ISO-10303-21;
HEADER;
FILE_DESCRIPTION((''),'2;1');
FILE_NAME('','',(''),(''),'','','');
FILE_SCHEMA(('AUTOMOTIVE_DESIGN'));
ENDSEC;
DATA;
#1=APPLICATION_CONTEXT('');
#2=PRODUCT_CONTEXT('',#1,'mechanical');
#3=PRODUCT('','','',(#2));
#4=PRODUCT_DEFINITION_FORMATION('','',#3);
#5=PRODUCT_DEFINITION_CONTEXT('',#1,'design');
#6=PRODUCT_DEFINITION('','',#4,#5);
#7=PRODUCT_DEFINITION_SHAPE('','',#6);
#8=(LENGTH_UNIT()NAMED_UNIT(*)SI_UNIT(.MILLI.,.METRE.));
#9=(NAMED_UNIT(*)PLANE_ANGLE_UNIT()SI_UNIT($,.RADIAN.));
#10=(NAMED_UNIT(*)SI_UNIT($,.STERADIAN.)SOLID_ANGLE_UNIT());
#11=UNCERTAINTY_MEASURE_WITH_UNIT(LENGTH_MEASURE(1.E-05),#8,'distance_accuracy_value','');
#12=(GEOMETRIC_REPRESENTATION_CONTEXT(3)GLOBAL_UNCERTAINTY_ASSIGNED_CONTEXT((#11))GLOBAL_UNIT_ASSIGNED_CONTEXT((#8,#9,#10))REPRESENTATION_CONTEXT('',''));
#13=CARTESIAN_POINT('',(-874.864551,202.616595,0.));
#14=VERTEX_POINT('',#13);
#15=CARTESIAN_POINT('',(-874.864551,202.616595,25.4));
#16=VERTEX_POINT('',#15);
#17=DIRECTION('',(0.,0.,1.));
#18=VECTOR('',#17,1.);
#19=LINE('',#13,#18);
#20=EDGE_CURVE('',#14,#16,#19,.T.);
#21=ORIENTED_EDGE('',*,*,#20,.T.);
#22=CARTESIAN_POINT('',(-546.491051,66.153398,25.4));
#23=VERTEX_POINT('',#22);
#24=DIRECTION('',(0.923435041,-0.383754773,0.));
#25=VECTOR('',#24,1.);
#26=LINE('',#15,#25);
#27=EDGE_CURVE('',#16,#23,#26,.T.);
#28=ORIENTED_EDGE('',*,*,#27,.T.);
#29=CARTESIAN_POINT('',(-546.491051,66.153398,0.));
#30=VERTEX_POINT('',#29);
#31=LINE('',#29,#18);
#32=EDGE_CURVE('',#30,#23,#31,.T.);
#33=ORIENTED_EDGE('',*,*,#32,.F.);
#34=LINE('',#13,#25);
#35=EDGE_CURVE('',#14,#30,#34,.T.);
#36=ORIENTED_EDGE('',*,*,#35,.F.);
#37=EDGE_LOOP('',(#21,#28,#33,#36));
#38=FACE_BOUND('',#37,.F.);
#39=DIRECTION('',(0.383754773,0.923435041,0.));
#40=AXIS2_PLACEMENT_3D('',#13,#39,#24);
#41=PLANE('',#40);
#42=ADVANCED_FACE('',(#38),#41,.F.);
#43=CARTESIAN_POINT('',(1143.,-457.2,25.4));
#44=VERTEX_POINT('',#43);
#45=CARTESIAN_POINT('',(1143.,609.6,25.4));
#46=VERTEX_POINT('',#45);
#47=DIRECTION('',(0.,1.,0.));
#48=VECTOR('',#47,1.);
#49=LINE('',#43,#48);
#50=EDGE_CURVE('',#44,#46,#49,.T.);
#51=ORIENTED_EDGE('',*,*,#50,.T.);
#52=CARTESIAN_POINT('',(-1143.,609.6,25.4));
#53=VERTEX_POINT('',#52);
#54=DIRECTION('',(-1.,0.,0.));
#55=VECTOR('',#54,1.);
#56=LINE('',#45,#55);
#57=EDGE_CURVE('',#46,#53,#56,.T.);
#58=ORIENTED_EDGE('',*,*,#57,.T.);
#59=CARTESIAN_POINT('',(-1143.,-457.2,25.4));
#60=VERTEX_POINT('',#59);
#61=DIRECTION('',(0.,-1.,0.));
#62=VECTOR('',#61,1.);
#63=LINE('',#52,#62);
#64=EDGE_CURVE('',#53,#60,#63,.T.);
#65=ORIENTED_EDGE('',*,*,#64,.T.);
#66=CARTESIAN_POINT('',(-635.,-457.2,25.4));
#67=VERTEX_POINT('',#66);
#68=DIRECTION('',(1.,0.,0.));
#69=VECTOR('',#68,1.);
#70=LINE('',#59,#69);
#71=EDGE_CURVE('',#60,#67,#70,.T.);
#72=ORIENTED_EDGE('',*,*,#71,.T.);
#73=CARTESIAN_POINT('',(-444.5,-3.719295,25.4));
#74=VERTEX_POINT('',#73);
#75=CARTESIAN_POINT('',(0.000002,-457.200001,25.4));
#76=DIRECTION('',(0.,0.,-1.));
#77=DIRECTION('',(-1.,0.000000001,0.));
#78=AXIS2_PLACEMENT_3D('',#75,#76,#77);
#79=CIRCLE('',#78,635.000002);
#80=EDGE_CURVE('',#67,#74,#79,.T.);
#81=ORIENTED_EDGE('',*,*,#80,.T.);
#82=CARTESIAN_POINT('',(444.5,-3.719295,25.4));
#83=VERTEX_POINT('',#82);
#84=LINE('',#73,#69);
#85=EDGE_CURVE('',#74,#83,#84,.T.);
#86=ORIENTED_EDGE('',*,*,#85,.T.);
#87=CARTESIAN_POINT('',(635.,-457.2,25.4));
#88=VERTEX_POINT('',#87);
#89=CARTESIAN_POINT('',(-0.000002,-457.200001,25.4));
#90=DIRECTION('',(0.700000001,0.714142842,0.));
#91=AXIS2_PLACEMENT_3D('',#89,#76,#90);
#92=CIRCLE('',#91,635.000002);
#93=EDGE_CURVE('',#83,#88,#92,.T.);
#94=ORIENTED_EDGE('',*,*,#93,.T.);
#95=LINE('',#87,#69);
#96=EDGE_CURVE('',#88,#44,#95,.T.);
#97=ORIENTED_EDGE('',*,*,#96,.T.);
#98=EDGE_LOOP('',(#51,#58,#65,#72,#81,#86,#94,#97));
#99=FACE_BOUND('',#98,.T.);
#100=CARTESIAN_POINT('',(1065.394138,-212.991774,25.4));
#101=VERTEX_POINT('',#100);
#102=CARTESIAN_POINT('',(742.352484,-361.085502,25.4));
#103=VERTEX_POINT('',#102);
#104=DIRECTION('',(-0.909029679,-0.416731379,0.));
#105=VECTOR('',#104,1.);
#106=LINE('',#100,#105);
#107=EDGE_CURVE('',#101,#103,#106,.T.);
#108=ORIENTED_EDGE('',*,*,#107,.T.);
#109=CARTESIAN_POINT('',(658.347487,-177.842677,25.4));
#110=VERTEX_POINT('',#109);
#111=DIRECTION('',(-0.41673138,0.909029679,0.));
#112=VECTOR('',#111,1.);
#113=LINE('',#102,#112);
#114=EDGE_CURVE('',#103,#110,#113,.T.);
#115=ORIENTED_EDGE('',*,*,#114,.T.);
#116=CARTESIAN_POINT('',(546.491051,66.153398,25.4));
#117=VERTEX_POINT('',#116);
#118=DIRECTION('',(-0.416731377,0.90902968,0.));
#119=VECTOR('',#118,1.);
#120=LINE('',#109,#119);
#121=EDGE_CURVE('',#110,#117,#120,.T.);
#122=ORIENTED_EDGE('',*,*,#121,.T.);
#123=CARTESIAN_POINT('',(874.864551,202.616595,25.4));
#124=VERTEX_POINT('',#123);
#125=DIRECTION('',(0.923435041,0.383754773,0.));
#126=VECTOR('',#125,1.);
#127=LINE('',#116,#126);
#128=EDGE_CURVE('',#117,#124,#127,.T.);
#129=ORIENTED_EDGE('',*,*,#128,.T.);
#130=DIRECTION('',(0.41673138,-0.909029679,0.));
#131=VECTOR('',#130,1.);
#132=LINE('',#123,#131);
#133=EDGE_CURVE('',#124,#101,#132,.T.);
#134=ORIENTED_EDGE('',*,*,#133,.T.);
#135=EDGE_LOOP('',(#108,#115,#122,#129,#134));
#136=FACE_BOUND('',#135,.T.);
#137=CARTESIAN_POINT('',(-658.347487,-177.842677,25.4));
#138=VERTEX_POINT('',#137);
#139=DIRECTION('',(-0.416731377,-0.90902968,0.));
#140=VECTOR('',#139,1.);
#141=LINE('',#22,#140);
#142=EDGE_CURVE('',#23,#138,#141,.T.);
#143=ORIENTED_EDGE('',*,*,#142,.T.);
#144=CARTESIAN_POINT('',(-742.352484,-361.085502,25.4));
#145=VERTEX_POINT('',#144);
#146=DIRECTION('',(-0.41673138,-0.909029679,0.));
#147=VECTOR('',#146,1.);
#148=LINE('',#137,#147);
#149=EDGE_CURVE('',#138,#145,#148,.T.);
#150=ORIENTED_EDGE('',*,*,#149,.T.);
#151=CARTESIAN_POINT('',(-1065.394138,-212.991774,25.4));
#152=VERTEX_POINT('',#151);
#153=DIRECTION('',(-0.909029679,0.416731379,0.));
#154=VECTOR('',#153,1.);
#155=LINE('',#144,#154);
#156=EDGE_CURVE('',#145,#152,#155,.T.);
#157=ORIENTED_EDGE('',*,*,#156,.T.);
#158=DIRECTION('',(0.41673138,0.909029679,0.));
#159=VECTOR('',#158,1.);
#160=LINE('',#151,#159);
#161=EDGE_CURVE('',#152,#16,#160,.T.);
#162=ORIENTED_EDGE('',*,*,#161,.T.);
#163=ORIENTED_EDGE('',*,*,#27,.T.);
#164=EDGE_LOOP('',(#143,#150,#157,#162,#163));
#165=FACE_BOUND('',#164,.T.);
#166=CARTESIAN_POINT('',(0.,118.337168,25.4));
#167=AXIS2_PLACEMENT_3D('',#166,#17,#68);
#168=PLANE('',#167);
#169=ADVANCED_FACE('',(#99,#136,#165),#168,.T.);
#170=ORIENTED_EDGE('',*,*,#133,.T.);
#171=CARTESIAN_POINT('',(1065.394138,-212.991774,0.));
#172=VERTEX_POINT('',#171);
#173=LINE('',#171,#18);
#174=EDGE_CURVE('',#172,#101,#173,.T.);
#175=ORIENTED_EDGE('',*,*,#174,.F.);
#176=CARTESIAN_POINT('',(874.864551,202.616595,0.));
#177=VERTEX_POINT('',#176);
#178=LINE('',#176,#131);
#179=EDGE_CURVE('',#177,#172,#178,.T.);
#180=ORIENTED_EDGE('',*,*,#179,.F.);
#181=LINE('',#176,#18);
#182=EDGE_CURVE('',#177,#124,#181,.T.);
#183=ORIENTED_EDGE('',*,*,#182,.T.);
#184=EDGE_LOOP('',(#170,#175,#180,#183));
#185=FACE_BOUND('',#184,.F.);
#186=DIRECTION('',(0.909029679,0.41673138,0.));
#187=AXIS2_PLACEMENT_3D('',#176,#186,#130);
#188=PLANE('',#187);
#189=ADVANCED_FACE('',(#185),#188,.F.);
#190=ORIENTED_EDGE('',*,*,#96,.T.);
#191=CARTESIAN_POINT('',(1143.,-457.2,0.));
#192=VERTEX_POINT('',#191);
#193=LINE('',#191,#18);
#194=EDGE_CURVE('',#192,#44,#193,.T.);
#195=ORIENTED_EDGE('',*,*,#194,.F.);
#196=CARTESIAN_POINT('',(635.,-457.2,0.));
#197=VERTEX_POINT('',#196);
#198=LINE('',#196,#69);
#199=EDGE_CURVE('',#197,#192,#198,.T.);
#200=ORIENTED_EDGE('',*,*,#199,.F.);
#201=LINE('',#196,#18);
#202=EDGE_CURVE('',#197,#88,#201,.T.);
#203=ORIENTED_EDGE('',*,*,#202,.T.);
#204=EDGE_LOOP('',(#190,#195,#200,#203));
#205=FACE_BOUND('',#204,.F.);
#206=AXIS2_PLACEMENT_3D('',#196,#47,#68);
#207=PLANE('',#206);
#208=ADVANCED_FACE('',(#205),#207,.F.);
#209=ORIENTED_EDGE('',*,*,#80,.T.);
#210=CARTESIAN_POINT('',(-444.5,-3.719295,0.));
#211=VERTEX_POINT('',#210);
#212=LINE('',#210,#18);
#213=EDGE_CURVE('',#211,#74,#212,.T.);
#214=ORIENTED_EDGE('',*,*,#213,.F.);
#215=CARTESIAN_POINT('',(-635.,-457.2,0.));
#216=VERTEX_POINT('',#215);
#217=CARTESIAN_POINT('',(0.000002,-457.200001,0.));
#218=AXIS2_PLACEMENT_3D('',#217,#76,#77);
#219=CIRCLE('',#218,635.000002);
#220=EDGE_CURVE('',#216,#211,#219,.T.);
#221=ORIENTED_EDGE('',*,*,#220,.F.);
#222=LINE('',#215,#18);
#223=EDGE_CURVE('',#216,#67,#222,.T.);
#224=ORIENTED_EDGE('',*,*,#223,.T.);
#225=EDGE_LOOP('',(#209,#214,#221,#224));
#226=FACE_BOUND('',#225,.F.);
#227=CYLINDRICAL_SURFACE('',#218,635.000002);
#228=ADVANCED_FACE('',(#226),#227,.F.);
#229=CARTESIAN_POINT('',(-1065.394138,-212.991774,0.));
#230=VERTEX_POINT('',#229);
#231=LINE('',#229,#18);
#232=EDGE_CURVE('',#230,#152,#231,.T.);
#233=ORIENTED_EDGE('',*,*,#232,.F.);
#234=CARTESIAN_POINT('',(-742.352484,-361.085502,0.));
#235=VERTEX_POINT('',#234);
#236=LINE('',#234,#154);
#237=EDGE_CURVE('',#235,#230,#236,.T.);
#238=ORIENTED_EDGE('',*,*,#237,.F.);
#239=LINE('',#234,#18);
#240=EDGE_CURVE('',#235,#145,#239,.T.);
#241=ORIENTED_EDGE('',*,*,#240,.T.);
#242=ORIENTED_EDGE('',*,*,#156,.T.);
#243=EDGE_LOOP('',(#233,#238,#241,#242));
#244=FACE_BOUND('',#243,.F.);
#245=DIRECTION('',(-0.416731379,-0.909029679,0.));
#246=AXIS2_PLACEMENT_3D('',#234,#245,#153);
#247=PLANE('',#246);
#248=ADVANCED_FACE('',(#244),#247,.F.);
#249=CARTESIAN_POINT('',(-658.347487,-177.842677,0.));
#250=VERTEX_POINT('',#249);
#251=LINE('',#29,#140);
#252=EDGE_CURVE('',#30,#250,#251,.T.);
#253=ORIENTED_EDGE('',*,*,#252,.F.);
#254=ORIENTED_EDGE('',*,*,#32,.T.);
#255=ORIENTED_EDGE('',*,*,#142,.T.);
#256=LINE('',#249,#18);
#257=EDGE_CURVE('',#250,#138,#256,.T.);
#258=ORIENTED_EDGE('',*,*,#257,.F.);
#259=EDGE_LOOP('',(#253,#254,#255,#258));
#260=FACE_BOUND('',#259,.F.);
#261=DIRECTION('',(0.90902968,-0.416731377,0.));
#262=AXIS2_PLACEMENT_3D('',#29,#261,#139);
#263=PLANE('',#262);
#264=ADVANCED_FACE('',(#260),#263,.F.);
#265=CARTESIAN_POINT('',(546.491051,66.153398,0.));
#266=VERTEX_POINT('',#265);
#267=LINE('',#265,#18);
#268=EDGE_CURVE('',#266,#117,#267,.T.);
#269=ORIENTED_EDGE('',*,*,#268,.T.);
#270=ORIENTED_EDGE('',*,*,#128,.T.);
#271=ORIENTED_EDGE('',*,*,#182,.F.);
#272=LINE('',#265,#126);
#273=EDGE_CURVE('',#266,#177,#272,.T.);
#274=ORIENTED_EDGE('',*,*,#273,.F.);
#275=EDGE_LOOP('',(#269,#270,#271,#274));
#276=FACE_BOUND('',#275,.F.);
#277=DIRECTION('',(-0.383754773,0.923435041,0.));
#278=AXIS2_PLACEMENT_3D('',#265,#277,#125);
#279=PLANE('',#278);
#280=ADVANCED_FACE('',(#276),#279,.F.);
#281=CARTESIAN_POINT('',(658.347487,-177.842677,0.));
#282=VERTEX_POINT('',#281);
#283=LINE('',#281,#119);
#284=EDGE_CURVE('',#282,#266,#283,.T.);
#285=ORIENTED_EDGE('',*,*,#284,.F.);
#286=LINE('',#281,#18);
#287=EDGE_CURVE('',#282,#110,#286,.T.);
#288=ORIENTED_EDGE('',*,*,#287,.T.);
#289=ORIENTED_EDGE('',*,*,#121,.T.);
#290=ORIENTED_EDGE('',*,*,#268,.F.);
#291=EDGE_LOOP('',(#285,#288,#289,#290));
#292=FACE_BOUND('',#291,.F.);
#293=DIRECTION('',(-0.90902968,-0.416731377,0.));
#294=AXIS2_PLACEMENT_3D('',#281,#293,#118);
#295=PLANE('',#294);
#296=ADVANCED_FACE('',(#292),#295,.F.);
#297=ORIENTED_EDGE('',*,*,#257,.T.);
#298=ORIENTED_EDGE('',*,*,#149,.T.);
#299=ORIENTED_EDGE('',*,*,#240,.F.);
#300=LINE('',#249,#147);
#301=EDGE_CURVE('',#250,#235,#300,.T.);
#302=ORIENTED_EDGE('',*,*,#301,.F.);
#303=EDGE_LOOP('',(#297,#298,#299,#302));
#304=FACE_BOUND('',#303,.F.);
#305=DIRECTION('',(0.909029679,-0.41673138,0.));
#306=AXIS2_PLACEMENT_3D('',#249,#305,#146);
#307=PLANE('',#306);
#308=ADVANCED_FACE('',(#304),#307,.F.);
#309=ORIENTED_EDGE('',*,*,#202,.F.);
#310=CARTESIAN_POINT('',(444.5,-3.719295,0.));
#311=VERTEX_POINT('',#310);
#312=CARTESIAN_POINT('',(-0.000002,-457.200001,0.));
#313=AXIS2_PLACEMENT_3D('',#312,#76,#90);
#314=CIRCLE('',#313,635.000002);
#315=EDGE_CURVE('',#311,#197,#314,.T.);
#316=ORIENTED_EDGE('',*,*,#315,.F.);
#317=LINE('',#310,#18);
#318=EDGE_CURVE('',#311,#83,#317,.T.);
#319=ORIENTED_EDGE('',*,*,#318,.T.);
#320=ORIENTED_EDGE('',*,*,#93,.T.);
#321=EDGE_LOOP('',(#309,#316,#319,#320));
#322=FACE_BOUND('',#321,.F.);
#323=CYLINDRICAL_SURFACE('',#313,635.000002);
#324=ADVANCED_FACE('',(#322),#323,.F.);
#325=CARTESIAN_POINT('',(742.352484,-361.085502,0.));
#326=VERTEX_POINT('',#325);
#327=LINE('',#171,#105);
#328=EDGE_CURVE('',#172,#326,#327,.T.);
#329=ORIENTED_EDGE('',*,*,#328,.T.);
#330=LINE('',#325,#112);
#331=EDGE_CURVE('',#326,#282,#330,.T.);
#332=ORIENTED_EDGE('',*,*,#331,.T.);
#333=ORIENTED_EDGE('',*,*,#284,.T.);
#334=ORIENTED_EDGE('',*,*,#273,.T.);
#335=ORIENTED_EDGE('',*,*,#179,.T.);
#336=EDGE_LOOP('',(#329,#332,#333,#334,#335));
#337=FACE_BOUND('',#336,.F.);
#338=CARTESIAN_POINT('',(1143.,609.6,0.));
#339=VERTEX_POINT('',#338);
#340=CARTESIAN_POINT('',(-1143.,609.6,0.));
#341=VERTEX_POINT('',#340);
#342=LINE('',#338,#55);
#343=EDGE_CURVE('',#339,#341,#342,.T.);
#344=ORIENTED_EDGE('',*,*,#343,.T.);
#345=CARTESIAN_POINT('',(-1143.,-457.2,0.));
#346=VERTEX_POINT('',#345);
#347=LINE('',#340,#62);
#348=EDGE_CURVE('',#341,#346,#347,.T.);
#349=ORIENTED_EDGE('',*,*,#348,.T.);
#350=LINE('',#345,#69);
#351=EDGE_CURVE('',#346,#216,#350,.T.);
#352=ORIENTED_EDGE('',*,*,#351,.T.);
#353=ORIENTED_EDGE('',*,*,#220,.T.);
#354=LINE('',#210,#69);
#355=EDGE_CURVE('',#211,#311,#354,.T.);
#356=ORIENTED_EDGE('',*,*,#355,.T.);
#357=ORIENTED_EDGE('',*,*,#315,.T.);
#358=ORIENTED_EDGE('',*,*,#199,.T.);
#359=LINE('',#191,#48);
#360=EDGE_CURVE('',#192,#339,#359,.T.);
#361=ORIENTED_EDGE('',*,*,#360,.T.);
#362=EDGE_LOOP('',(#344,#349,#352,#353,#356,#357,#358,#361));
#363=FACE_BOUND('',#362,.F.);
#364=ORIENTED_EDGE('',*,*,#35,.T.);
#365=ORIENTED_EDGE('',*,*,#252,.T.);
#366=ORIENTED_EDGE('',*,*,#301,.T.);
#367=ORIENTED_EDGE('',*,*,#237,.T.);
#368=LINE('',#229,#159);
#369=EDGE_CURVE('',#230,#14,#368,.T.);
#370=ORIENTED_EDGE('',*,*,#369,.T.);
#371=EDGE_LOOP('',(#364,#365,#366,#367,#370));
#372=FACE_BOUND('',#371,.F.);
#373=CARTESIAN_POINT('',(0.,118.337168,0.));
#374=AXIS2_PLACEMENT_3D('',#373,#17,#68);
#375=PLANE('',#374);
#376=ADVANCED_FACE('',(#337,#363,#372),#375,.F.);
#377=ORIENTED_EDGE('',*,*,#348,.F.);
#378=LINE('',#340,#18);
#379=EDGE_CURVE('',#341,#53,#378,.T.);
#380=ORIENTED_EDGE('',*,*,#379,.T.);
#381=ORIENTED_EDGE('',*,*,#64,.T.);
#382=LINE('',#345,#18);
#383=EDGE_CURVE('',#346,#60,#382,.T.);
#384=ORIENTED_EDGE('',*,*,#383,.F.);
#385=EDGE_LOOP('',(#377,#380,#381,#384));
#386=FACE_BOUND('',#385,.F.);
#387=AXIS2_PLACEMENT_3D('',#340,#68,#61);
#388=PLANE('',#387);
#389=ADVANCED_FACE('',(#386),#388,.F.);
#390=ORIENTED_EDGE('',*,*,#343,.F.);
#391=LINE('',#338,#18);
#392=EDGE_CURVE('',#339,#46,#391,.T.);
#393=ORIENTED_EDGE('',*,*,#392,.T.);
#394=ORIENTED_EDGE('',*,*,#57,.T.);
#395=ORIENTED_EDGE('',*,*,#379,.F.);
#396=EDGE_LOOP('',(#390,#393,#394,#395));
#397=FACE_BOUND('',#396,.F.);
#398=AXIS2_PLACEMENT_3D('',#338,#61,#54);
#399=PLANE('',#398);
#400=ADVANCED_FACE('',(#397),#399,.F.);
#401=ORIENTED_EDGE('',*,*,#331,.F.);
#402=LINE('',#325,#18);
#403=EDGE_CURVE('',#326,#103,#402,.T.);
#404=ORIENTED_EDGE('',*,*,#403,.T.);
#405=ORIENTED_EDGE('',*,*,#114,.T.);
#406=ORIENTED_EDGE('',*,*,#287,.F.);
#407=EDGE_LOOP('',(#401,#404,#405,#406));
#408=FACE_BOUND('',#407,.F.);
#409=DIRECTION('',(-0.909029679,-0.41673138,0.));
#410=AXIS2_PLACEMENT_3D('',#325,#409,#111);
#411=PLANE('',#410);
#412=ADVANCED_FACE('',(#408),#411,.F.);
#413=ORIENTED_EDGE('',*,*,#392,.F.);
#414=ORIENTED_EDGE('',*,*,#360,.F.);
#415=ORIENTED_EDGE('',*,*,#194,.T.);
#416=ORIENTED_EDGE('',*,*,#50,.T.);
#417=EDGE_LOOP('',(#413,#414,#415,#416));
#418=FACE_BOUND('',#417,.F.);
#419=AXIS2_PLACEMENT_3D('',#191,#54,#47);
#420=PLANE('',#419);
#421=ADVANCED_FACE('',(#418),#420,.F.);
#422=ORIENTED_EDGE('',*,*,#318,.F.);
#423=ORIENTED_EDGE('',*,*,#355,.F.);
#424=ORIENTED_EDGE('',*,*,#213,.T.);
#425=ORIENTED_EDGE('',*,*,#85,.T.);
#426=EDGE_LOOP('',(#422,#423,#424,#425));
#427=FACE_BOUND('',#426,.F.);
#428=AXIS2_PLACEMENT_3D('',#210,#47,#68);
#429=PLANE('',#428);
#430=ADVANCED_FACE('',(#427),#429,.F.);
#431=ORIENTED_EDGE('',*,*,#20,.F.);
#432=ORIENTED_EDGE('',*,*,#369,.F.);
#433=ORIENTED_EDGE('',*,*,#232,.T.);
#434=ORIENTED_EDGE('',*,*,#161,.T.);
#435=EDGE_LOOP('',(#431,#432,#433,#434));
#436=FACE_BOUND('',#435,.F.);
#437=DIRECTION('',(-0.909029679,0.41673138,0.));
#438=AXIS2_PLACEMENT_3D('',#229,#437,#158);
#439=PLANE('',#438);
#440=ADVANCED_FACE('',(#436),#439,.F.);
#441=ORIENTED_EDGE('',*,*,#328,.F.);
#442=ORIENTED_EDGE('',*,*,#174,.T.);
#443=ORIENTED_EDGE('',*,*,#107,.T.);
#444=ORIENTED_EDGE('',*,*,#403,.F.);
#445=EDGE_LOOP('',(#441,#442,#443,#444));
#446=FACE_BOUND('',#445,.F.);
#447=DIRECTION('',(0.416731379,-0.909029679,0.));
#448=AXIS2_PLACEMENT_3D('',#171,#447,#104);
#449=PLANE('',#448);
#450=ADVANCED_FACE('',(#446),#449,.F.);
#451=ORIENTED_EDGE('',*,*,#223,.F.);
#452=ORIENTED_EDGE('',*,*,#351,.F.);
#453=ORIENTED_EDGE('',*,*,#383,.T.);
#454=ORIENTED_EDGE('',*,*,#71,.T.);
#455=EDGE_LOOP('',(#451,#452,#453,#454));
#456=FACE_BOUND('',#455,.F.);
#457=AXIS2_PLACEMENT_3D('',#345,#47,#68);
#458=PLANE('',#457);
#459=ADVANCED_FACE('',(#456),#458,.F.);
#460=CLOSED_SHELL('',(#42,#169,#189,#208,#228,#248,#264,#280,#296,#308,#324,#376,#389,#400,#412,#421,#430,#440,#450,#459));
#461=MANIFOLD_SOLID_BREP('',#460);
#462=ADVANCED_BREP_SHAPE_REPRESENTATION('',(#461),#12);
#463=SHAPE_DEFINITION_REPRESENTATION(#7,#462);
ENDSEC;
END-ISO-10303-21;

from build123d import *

# Parameters (mm, degrees)
F1_DEPTH = 25.4


with BuildPart() as f1:
    # F0 (on Top) → F1 (new body)
    with BuildSketch(Plane.XY):
        with BuildLine():
            Line((0, 609.6), (-1143, 609.6))
            Line((-1143, 609.6), (-1143, 0))
            Line((-1143, 0), (-1143, -457.2))
            Line((-1143, -457.2), (-635, -457.2))
            ThreePointArc((-635, -457.2), (-585.441073, -211.265558), (-444.5, -3.719295))
            Line((-444.5, -3.719295), (444.5, -3.719295))
            ThreePointArc((444.5, -3.719295), (585.441073, -211.265558), (635, -457.2))
            Line((635, -457.2), (1143, -457.2))
            Line((1143, -457.2), (1143, 0))
            Line((1143, 0), (1143, 609.6))
            Line((1143, 609.6), (0, 609.6))
        make_face()
        Polygon((-874.864551, 202.616595), (-546.491051, 66.153398), (-658.347487, -177.842677), (-742.352484, -361.085502), (-1065.394138, -212.991774), align=None, mode=Mode.SUBTRACT)
        Polygon((742.352484, -361.085502), (658.347487, -177.842677), (546.491051, 66.153398), (874.864551, 202.616595), (1065.394138, -212.991774), align=None, mode=Mode.SUBTRACT)
    extrude(amount=F1_DEPTH)


solid = f1.part
